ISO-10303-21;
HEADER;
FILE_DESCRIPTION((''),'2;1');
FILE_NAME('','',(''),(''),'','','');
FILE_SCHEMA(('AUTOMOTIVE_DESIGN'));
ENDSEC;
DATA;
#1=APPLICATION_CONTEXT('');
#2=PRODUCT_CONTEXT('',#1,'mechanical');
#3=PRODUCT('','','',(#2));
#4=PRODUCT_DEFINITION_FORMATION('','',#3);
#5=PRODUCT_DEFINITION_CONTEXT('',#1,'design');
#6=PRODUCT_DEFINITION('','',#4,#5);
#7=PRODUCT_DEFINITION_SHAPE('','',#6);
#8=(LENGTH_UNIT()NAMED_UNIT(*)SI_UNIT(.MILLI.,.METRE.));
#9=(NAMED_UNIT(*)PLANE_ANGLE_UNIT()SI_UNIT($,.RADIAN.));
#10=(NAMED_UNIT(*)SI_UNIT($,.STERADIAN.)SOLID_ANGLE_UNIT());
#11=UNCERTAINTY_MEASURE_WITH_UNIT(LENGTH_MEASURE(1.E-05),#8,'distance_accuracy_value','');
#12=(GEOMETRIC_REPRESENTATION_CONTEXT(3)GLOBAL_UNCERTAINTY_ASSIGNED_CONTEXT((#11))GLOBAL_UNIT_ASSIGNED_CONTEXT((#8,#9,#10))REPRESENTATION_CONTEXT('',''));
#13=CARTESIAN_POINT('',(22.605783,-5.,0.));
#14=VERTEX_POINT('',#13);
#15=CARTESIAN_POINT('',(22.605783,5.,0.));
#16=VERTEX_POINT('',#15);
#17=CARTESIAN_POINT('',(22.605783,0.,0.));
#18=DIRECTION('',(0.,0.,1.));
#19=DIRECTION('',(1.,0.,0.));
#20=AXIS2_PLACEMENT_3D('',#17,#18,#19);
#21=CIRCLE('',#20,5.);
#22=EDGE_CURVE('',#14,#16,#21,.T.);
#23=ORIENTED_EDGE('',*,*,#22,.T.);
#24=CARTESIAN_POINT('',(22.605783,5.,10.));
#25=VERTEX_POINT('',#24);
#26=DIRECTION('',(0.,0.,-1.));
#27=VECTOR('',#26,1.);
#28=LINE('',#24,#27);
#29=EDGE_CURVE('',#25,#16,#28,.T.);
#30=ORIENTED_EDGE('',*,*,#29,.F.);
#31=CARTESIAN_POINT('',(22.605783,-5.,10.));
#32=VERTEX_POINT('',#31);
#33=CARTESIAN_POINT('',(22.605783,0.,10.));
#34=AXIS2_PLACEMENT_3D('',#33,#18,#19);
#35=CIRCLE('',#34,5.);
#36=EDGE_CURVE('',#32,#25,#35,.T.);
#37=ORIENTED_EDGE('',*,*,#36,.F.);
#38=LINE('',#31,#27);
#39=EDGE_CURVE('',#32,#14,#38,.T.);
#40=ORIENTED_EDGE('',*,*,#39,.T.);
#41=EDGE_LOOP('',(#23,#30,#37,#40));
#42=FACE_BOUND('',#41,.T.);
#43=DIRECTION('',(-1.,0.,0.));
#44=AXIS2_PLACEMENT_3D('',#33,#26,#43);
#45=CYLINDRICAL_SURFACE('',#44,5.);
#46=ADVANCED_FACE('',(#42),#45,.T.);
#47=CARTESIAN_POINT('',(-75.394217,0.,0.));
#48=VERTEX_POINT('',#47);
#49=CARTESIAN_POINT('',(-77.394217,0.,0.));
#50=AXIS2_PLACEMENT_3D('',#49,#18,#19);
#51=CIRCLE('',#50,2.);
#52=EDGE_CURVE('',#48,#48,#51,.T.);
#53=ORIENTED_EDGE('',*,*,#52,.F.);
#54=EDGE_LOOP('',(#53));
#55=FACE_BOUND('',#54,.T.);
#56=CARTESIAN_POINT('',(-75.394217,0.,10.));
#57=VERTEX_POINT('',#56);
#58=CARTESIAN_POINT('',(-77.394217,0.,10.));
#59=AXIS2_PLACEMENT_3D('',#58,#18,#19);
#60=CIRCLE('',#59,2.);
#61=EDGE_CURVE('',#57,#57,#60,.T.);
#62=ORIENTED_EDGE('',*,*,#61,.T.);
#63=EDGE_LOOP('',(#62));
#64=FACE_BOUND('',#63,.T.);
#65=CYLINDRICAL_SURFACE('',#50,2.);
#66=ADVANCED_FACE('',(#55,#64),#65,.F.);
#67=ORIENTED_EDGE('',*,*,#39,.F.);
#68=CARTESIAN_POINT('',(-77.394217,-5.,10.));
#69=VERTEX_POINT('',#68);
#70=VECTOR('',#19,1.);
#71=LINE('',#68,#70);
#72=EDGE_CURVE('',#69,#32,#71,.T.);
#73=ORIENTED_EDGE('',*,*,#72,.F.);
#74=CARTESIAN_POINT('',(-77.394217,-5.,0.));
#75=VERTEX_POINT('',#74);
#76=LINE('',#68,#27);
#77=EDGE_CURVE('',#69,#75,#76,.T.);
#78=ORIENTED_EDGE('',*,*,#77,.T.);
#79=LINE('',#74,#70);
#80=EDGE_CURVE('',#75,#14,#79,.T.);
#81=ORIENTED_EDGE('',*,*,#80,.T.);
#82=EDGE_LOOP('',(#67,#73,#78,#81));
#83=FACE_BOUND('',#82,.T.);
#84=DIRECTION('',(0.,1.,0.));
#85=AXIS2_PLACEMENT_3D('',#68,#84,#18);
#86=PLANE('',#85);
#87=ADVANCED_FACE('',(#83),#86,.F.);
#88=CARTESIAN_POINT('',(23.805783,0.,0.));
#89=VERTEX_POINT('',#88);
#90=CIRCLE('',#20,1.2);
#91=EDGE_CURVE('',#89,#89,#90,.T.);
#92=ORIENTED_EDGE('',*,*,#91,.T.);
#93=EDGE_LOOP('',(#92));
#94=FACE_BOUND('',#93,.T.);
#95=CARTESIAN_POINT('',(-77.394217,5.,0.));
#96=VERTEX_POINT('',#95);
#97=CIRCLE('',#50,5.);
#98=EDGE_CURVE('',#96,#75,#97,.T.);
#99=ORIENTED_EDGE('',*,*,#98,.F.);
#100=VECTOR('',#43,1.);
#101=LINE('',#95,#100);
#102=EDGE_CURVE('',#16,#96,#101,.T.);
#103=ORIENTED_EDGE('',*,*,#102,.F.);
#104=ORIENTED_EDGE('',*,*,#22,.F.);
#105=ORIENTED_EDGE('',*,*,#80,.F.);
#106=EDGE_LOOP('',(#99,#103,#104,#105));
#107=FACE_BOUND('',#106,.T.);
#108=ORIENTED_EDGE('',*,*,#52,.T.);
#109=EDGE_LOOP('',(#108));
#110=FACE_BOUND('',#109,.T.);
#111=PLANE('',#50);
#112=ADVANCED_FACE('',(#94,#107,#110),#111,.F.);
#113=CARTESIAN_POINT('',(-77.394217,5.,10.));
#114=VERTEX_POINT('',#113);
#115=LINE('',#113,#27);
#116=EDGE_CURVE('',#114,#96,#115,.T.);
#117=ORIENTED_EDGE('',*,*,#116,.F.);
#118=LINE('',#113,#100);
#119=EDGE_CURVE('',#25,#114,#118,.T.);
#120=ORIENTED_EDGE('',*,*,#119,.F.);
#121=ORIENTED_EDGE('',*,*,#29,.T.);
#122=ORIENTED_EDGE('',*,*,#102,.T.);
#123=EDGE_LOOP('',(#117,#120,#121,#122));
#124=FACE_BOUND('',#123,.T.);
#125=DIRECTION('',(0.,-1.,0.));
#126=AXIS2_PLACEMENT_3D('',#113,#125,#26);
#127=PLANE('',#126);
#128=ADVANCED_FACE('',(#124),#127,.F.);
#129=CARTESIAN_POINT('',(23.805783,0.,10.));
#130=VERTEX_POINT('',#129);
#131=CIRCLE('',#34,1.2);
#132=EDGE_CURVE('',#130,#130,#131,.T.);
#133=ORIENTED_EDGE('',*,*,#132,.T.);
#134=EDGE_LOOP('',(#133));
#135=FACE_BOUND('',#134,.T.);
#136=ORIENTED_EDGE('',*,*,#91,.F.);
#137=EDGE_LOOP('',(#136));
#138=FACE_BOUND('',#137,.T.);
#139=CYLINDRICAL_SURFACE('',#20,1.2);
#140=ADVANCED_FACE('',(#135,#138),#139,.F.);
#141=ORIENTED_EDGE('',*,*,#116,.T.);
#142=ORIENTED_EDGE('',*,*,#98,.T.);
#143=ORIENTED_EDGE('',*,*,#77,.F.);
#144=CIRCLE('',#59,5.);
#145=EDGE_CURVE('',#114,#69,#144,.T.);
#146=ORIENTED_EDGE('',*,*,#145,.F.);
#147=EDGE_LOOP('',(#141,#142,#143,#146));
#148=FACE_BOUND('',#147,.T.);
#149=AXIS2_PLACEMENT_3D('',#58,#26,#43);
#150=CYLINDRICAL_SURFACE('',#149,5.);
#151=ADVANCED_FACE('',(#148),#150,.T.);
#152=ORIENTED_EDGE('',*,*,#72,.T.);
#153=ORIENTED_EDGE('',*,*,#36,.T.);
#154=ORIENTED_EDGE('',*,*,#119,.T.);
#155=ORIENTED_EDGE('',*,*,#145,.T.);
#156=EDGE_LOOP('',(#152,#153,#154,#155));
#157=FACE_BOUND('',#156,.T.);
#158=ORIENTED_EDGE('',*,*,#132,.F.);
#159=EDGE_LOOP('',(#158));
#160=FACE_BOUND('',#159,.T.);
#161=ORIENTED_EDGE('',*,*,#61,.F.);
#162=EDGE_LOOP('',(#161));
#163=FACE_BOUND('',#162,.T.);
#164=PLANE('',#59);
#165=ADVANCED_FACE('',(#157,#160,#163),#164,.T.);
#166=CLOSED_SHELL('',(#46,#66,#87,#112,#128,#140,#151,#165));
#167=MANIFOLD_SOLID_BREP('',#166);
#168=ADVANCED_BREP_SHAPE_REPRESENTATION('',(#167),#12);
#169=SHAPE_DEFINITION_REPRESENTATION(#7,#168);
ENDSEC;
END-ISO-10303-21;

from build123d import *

# Parameters (mm, degrees)
EXTRUDE_1_DEPTH     = 10
SKETCH_2_R          = 2
CUT_EXTRUDE_1_DEPTH = 84.149305617
SKETCH_3_R          = 1.2
CUT_EXTRUDE_2_DEPTH = 84.149305617


with BuildPart() as part:
    # 草图1 → 凸台-拉伸1 (new body)
    with BuildSketch(Plane.XY):
        with BuildLine():
            Line((-77.394217179, 5), (22.605782821, 5))
            ThreePointArc((22.605782821, 5), (27.605782821, 0), (22.605782821, -5))
            Line((22.605782821, -5), (-77.394217179, -5))
            ThreePointArc((-77.394217179, -5), (-82.394217179, 0), (-77.394217179, 5))
        make_face()
    extrude(amount=EXTRUDE_1_DEPTH)

    # 草图2 → 切除-拉伸1 (cut, through all)
    with BuildSketch(Plane.XY.offset(10)):
        with Locations((-77.394217179, 0)):
            Circle(SKETCH_2_R)
    extrude(amount=-CUT_EXTRUDE_1_DEPTH, mode=Mode.SUBTRACT)

    # 草图3 → 切除-拉伸2 (cut, through all)
    with BuildSketch(Plane.XY.offset(10)):
        with Locations((22.605782821, 0)):
            Circle(SKETCH_3_R)
    extrude(amount=-CUT_EXTRUDE_2_DEPTH, mode=Mode.SUBTRACT)


solid = part.part
